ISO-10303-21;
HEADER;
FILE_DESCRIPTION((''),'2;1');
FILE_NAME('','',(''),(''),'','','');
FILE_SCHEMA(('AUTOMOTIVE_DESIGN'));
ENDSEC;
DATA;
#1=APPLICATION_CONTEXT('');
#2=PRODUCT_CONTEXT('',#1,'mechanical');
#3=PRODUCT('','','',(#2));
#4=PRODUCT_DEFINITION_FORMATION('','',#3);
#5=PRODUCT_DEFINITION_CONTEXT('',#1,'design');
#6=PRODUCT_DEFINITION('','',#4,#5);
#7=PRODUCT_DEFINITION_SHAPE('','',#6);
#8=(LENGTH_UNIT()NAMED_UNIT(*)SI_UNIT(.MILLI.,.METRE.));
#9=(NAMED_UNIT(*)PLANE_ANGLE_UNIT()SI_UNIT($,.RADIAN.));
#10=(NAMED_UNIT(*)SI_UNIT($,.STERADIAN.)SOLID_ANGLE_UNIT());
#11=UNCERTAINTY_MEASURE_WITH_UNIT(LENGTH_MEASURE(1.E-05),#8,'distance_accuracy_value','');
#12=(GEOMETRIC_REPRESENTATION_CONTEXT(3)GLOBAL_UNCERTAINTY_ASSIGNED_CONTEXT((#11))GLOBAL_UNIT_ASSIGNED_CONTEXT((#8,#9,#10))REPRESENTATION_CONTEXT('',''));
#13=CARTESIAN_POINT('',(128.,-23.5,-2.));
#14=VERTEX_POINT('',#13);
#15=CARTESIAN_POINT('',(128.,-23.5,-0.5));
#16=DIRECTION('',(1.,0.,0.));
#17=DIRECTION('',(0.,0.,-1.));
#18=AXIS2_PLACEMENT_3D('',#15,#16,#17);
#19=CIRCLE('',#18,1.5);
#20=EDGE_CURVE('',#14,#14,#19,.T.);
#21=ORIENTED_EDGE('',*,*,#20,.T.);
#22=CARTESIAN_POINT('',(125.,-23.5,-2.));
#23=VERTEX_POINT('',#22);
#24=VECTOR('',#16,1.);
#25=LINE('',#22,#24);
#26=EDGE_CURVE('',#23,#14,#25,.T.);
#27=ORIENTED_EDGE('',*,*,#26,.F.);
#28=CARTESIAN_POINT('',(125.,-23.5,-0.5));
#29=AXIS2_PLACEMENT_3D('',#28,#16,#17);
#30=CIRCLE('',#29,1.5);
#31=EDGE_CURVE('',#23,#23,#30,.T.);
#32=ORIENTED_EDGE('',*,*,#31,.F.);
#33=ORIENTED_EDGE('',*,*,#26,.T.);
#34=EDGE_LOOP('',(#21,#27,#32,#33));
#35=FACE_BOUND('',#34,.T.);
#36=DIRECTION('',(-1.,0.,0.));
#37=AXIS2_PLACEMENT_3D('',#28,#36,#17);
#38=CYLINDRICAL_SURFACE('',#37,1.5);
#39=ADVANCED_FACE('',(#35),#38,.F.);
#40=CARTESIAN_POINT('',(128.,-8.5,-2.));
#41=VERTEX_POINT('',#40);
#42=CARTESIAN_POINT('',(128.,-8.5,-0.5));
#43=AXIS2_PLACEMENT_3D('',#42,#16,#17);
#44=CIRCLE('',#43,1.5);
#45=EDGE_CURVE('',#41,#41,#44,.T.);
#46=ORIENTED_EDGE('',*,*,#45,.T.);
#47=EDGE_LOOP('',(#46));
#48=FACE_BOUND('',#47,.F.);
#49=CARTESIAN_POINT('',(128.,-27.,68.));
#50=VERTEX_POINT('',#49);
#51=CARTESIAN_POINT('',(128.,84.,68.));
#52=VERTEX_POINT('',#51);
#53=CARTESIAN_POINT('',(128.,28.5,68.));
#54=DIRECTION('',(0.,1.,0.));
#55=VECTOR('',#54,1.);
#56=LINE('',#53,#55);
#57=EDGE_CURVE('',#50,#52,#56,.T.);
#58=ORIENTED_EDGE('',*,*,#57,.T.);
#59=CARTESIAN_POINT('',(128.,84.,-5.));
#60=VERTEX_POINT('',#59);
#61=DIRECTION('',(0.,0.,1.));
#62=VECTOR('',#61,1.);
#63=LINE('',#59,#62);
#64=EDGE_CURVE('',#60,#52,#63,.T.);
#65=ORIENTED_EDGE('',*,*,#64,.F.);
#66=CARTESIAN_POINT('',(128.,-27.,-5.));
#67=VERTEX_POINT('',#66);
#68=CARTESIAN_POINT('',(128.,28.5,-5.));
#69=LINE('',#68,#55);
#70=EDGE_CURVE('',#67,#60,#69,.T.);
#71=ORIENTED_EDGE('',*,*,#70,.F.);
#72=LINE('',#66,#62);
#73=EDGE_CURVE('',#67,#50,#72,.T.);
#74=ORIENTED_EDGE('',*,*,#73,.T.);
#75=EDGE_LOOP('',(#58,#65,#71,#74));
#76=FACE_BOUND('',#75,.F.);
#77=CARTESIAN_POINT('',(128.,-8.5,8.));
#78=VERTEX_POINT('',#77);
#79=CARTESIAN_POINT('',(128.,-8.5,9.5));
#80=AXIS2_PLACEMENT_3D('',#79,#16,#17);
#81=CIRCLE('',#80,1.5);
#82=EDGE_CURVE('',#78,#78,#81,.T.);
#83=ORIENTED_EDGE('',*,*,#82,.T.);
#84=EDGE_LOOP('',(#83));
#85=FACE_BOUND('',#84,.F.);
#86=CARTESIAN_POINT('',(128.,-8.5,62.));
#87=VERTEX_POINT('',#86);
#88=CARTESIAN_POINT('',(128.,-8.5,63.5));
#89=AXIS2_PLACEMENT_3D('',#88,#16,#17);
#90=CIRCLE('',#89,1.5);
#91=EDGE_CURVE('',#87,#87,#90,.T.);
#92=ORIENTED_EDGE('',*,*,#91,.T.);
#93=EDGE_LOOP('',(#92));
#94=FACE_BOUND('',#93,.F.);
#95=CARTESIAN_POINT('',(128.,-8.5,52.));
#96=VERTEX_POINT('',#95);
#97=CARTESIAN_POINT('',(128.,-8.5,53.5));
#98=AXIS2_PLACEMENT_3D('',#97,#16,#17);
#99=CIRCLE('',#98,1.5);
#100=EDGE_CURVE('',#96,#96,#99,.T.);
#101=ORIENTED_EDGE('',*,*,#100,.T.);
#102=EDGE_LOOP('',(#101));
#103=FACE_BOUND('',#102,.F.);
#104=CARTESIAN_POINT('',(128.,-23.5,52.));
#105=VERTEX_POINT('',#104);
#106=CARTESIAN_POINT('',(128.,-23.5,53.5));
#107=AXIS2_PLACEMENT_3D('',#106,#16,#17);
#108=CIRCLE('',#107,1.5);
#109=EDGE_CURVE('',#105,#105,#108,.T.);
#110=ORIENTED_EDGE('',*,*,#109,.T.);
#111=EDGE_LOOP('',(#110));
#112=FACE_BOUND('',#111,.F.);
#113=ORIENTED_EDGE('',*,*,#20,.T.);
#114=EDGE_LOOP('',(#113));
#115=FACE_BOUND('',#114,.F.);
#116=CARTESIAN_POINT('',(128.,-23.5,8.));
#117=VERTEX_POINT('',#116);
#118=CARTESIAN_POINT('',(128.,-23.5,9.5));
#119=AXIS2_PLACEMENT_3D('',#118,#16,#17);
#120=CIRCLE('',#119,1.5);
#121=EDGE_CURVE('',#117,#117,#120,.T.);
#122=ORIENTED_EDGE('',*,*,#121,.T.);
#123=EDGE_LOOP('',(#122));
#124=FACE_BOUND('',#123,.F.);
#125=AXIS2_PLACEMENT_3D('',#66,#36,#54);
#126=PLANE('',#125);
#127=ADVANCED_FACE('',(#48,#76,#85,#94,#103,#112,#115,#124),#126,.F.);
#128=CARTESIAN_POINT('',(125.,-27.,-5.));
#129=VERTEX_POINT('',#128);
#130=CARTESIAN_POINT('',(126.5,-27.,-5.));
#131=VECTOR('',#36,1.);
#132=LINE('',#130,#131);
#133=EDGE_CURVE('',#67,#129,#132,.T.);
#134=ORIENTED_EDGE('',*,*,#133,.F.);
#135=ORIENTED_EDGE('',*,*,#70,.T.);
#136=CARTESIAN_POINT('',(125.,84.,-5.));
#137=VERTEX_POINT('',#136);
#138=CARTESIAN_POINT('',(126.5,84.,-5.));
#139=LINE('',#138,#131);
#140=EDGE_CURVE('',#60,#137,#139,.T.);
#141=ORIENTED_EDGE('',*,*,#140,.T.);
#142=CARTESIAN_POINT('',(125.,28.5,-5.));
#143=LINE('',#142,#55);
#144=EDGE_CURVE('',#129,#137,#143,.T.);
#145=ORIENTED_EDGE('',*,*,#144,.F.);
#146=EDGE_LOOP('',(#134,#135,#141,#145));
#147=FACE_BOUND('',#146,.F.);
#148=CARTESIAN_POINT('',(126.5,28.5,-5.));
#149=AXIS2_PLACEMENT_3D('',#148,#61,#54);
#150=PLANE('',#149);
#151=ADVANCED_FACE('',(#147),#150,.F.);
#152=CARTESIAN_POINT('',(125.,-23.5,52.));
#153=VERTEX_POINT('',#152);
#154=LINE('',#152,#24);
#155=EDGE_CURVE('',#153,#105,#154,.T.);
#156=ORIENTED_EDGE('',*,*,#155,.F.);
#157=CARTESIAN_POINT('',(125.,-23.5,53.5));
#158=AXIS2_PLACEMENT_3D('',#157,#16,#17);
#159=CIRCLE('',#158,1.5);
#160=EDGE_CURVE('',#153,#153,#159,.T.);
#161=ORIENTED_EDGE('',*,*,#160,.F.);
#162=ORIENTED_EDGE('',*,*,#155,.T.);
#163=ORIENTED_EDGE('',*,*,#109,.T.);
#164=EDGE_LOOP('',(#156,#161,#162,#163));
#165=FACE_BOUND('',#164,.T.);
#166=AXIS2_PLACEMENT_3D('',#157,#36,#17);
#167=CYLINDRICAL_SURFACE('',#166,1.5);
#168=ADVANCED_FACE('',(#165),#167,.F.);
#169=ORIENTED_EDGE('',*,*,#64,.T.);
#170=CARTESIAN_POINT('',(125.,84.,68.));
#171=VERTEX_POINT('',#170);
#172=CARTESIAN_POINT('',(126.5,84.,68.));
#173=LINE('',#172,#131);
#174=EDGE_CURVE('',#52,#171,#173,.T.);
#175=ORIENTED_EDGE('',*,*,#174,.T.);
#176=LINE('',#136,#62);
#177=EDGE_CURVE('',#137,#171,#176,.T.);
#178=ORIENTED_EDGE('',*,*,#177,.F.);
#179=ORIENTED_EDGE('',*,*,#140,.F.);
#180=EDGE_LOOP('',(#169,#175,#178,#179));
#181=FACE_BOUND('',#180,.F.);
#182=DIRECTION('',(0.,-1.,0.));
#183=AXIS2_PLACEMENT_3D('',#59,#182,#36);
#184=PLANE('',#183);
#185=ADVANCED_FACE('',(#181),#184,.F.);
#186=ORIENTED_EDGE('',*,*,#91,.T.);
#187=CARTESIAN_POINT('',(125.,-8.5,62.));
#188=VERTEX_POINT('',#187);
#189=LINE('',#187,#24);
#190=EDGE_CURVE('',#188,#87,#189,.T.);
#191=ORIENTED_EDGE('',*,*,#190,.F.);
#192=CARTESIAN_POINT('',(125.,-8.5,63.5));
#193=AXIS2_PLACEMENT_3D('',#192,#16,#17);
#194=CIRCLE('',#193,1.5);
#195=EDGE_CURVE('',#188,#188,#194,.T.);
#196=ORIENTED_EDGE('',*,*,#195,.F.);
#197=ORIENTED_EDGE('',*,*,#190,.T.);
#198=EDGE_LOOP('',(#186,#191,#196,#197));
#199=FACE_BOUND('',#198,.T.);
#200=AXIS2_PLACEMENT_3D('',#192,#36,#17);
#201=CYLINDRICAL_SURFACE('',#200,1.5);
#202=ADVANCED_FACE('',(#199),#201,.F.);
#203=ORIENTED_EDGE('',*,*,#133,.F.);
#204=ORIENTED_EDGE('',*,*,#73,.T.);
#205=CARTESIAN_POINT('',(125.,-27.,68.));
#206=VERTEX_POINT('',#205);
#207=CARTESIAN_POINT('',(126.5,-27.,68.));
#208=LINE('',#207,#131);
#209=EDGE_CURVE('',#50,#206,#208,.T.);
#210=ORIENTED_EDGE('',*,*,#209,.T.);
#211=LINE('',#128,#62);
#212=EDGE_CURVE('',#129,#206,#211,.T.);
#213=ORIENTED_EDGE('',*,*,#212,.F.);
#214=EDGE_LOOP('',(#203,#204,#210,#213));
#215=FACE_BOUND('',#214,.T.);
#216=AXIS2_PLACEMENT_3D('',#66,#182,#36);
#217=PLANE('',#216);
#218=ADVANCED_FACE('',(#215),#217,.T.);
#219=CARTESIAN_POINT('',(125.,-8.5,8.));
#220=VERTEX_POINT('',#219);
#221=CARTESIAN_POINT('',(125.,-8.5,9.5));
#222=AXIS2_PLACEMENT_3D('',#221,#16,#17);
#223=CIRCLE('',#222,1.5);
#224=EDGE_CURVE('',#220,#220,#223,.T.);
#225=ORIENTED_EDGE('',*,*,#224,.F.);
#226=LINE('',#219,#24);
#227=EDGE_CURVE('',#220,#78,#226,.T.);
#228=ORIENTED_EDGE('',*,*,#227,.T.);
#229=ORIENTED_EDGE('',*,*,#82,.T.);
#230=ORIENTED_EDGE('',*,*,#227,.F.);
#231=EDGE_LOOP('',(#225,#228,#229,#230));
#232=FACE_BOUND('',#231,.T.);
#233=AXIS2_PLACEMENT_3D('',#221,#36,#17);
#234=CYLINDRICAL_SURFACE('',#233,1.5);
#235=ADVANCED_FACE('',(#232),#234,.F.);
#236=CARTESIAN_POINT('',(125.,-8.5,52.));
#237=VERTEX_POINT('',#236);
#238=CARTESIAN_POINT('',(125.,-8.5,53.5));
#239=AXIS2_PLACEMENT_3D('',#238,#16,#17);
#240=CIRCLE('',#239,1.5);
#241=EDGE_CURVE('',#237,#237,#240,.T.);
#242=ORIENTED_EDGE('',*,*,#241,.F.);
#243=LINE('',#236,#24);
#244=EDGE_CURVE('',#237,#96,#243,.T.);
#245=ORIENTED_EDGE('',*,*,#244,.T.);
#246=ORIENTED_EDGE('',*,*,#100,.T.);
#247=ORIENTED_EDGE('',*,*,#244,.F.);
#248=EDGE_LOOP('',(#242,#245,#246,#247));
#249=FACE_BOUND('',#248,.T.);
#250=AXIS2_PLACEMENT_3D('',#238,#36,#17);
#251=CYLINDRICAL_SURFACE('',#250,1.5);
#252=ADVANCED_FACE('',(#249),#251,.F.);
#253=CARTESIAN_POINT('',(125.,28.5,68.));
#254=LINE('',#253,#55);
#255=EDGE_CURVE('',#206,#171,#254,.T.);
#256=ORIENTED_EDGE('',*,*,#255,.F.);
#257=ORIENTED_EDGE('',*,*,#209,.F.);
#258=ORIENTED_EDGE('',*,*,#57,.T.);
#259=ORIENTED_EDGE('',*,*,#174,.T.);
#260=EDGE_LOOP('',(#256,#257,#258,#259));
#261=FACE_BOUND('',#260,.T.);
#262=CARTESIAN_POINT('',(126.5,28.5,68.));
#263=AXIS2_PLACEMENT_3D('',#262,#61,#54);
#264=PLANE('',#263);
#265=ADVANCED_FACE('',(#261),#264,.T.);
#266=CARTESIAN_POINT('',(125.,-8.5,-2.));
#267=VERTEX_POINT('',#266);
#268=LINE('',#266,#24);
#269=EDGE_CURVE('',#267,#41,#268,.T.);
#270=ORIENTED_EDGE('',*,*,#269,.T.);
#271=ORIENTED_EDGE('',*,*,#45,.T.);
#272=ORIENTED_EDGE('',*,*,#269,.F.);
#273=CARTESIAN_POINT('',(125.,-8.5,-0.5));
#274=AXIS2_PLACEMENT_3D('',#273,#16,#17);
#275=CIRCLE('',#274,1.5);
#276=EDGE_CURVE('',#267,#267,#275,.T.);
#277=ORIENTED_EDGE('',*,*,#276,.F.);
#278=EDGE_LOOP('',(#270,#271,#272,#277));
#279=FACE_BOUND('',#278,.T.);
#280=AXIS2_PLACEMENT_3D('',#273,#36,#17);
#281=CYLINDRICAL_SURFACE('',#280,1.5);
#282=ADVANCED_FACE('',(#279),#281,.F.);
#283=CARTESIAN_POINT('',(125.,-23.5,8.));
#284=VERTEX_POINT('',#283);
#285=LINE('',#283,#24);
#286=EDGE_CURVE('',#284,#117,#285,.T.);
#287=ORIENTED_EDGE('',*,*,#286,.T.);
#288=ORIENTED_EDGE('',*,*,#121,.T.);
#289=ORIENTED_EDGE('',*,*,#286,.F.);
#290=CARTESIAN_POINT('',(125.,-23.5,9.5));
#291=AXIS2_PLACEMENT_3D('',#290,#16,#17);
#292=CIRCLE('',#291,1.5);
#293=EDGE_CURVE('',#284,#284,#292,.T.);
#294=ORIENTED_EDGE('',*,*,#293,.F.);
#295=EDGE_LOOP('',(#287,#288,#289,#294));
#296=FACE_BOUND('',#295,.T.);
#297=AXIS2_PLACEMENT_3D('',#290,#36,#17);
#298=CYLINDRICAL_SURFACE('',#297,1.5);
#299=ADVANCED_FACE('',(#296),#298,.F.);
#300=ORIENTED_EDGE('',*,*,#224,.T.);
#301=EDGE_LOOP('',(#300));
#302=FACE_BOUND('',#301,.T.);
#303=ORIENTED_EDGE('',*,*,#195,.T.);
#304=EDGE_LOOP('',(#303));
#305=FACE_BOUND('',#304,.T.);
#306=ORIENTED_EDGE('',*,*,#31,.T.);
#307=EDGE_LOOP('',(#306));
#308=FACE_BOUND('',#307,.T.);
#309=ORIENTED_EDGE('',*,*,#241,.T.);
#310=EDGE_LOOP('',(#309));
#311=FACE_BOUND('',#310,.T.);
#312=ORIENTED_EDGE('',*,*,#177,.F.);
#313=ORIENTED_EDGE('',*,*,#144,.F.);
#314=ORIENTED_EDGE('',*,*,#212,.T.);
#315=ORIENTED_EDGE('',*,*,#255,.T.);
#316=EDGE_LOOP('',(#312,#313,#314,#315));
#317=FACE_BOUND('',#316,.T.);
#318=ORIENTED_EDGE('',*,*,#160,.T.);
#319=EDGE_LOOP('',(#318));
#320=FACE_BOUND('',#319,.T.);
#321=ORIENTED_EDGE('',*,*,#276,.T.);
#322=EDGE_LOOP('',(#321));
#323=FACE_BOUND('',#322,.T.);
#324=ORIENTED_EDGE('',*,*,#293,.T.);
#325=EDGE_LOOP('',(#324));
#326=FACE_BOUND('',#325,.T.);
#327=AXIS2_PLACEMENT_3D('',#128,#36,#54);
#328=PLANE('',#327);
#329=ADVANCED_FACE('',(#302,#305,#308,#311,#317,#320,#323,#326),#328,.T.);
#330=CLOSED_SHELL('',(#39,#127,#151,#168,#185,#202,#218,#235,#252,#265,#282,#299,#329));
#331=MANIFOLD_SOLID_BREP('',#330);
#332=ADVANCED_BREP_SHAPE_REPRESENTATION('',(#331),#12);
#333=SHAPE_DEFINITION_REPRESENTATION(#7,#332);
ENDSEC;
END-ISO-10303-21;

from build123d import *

# Parameters (mm, degrees)
CYLINDER022_R           = 1.5
CYLINDER022_DEPTH       = 3
CYLINDER022_PITCH_ANGLE = 90
CYLINDER021_R           = 1.5
CYLINDER021_DEPTH       = 3
CYLINDER021_PITCH_ANGLE = 90
CYLINDER020_R           = 1.5
CYLINDER020_DEPTH       = 3
CYLINDER020_PITCH_ANGLE = 90
CYLINDER019_R           = 1.5
CYLINDER019_DEPTH       = 3
CYLINDER019_PITCH_ANGLE = 90
CYLINDER018_R           = 1.5
CYLINDER018_DEPTH       = 3
CYLINDER018_PITCH_ANGLE = 90
CYLINDER017_R           = 1.5
CYLINDER017_DEPTH       = 3
CYLINDER017_PITCH_ANGLE = 90
CYLINDER_R              = 1.5
CYLINDER_DEPTH          = 3
CYLINDER_PITCH_ANGLE    = 90
BOX014_W                = 111
BOX014_H                = 3
BOX014_DEPTH            = 73
BOX014_PLACEMENT_ANGLE  = 90


with BuildPart() as cylinder022:
    # Cylinder022 → Cylinder022 (new body)
    with BuildSketch(Plane.XY):
        Circle(CYLINDER022_R)
    extrude(amount=CYLINDER022_DEPTH)


with BuildPart() as cylinder022_1:
    # Cylinder022 pitch: moved
    add(cylinder022.part.rotate(Axis((0, 0, 0), (0, 1, 0)), CYLINDER022_PITCH_ANGLE))


with BuildPart() as cylinder022_2:
    # Cylinder022 placement: moved
    add(cylinder022_1.part.moved(Location((125, -8.5, 53.5))))


with BuildPart() as cylinder021:
    # Cylinder021 → Cylinder021 (new body)
    with BuildSketch(Plane.XY):
        Circle(CYLINDER021_R)
    extrude(amount=CYLINDER021_DEPTH)


with BuildPart() as cylinder021_1:
    # Cylinder021 pitch: moved
    add(cylinder021.part.rotate(Axis((0, 0, 0), (0, 1, 0)), CYLINDER021_PITCH_ANGLE))


with BuildPart() as cylinder021_2:
    # Cylinder021 placement: moved
    add(cylinder021_1.part.moved(Location((125, -23.5, 53.5))))


with BuildPart() as cylinder020:
    # Cylinder020 → Cylinder020 (new body)
    with BuildSketch(Plane.XY):
        Circle(CYLINDER020_R)
    extrude(amount=CYLINDER020_DEPTH)


with BuildPart() as cylinder020_1:
    # Cylinder020 pitch: moved
    add(cylinder020.part.rotate(Axis((0, 0, 0), (0, 1, 0)), CYLINDER020_PITCH_ANGLE))


with BuildPart() as cylinder020_2:
    # Cylinder020 placement: moved
    add(cylinder020_1.part.moved(Location((125, -8.5, 63.5))))


with BuildPart() as cylinder019:
    # Cylinder019 → Cylinder019 (new body)
    with BuildSketch(Plane.XY):
        Circle(CYLINDER019_R)
    extrude(amount=CYLINDER019_DEPTH)


with BuildPart() as cylinder019_1:
    # Cylinder019 pitch: moved
    add(cylinder019.part.rotate(Axis((0, 0, 0), (0, 1, 0)), CYLINDER019_PITCH_ANGLE))


with BuildPart() as cylinder019_2:
    # Cylinder019 placement: moved
    add(cylinder019_1.part.moved(Location((125, -23.5, -0.5))))


with BuildPart() as cylinder018:
    # Cylinder018 → Cylinder018 (new body)
    with BuildSketch(Plane.XY):
        Circle(CYLINDER018_R)
    extrude(amount=CYLINDER018_DEPTH)


with BuildPart() as cylinder018_1:
    # Cylinder018 pitch: moved
    add(cylinder018.part.rotate(Axis((0, 0, 0), (0, 1, 0)), CYLINDER018_PITCH_ANGLE))


with BuildPart() as cylinder018_2:
    # Cylinder018 placement: moved
    add(cylinder018_1.part.moved(Location((125, -23.5, 9.5))))


with BuildPart() as cylinder017:
    # Cylinder017 → Cylinder017 (new body)
    with BuildSketch(Plane.XY):
        Circle(CYLINDER017_R)
    extrude(amount=CYLINDER017_DEPTH)


with BuildPart() as cylinder017_1:
    # Cylinder017 pitch: moved
    add(cylinder017.part.rotate(Axis((0, 0, 0), (0, 1, 0)), CYLINDER017_PITCH_ANGLE))


with BuildPart() as cylinder017_2:
    # Cylinder017 placement: moved
    add(cylinder017_1.part.moved(Location((125, -8.5, 9.5))))


with BuildPart() as cylinder:
    # Cylinder → Cylinder (new body)
    with BuildSketch(Plane.XY):
        Circle(CYLINDER_R)
    extrude(amount=CYLINDER_DEPTH)


with BuildPart() as cylinder_1:
    # Cylinder pitch: moved
    add(cylinder.part.rotate(Axis((0, 0, 0), (0, 1, 0)), CYLINDER_PITCH_ANGLE))


with BuildPart() as cylinder_2:
    # Cylinder placement: moved
    add(cylinder_1.part.moved(Location((125, -8.5, -0.5))))


with BuildPart() as cut032:
    # Box014 → Box014 (new body)
    with BuildSketch(Plane.XY):
        with Locations((55.5, 1.5)):
            Rectangle(BOX014_W, BOX014_H)
    extrude(amount=BOX014_DEPTH)


with BuildPart() as cut032_1:
    # Box014 placement: moved
    add(cut032.part.moved(Location((128, -27, -5))).rotate(Axis((128, -27, -5), (0, 0, 1)), BOX014_PLACEMENT_ANGLE))

    # Cut026: cut Cylinder
    add(cylinder_2.part, mode=Mode.SUBTRACT)

    # Cut027: cut Cylinder017
    add(cylinder017_2.part, mode=Mode.SUBTRACT)

    # Cut028: cut Cylinder018
    add(cylinder018_2.part, mode=Mode.SUBTRACT)

    # Cut029: cut Cylinder019
    add(cylinder019_2.part, mode=Mode.SUBTRACT)

    # Cut030: cut Cylinder020
    add(cylinder020_2.part, mode=Mode.SUBTRACT)

    # Cut031: cut Cylinder021
    add(cylinder021_2.part, mode=Mode.SUBTRACT)

    # Cut032: cut Cylinder022
    add(cylinder022_2.part, mode=Mode.SUBTRACT)


solid = cut032_1.part
